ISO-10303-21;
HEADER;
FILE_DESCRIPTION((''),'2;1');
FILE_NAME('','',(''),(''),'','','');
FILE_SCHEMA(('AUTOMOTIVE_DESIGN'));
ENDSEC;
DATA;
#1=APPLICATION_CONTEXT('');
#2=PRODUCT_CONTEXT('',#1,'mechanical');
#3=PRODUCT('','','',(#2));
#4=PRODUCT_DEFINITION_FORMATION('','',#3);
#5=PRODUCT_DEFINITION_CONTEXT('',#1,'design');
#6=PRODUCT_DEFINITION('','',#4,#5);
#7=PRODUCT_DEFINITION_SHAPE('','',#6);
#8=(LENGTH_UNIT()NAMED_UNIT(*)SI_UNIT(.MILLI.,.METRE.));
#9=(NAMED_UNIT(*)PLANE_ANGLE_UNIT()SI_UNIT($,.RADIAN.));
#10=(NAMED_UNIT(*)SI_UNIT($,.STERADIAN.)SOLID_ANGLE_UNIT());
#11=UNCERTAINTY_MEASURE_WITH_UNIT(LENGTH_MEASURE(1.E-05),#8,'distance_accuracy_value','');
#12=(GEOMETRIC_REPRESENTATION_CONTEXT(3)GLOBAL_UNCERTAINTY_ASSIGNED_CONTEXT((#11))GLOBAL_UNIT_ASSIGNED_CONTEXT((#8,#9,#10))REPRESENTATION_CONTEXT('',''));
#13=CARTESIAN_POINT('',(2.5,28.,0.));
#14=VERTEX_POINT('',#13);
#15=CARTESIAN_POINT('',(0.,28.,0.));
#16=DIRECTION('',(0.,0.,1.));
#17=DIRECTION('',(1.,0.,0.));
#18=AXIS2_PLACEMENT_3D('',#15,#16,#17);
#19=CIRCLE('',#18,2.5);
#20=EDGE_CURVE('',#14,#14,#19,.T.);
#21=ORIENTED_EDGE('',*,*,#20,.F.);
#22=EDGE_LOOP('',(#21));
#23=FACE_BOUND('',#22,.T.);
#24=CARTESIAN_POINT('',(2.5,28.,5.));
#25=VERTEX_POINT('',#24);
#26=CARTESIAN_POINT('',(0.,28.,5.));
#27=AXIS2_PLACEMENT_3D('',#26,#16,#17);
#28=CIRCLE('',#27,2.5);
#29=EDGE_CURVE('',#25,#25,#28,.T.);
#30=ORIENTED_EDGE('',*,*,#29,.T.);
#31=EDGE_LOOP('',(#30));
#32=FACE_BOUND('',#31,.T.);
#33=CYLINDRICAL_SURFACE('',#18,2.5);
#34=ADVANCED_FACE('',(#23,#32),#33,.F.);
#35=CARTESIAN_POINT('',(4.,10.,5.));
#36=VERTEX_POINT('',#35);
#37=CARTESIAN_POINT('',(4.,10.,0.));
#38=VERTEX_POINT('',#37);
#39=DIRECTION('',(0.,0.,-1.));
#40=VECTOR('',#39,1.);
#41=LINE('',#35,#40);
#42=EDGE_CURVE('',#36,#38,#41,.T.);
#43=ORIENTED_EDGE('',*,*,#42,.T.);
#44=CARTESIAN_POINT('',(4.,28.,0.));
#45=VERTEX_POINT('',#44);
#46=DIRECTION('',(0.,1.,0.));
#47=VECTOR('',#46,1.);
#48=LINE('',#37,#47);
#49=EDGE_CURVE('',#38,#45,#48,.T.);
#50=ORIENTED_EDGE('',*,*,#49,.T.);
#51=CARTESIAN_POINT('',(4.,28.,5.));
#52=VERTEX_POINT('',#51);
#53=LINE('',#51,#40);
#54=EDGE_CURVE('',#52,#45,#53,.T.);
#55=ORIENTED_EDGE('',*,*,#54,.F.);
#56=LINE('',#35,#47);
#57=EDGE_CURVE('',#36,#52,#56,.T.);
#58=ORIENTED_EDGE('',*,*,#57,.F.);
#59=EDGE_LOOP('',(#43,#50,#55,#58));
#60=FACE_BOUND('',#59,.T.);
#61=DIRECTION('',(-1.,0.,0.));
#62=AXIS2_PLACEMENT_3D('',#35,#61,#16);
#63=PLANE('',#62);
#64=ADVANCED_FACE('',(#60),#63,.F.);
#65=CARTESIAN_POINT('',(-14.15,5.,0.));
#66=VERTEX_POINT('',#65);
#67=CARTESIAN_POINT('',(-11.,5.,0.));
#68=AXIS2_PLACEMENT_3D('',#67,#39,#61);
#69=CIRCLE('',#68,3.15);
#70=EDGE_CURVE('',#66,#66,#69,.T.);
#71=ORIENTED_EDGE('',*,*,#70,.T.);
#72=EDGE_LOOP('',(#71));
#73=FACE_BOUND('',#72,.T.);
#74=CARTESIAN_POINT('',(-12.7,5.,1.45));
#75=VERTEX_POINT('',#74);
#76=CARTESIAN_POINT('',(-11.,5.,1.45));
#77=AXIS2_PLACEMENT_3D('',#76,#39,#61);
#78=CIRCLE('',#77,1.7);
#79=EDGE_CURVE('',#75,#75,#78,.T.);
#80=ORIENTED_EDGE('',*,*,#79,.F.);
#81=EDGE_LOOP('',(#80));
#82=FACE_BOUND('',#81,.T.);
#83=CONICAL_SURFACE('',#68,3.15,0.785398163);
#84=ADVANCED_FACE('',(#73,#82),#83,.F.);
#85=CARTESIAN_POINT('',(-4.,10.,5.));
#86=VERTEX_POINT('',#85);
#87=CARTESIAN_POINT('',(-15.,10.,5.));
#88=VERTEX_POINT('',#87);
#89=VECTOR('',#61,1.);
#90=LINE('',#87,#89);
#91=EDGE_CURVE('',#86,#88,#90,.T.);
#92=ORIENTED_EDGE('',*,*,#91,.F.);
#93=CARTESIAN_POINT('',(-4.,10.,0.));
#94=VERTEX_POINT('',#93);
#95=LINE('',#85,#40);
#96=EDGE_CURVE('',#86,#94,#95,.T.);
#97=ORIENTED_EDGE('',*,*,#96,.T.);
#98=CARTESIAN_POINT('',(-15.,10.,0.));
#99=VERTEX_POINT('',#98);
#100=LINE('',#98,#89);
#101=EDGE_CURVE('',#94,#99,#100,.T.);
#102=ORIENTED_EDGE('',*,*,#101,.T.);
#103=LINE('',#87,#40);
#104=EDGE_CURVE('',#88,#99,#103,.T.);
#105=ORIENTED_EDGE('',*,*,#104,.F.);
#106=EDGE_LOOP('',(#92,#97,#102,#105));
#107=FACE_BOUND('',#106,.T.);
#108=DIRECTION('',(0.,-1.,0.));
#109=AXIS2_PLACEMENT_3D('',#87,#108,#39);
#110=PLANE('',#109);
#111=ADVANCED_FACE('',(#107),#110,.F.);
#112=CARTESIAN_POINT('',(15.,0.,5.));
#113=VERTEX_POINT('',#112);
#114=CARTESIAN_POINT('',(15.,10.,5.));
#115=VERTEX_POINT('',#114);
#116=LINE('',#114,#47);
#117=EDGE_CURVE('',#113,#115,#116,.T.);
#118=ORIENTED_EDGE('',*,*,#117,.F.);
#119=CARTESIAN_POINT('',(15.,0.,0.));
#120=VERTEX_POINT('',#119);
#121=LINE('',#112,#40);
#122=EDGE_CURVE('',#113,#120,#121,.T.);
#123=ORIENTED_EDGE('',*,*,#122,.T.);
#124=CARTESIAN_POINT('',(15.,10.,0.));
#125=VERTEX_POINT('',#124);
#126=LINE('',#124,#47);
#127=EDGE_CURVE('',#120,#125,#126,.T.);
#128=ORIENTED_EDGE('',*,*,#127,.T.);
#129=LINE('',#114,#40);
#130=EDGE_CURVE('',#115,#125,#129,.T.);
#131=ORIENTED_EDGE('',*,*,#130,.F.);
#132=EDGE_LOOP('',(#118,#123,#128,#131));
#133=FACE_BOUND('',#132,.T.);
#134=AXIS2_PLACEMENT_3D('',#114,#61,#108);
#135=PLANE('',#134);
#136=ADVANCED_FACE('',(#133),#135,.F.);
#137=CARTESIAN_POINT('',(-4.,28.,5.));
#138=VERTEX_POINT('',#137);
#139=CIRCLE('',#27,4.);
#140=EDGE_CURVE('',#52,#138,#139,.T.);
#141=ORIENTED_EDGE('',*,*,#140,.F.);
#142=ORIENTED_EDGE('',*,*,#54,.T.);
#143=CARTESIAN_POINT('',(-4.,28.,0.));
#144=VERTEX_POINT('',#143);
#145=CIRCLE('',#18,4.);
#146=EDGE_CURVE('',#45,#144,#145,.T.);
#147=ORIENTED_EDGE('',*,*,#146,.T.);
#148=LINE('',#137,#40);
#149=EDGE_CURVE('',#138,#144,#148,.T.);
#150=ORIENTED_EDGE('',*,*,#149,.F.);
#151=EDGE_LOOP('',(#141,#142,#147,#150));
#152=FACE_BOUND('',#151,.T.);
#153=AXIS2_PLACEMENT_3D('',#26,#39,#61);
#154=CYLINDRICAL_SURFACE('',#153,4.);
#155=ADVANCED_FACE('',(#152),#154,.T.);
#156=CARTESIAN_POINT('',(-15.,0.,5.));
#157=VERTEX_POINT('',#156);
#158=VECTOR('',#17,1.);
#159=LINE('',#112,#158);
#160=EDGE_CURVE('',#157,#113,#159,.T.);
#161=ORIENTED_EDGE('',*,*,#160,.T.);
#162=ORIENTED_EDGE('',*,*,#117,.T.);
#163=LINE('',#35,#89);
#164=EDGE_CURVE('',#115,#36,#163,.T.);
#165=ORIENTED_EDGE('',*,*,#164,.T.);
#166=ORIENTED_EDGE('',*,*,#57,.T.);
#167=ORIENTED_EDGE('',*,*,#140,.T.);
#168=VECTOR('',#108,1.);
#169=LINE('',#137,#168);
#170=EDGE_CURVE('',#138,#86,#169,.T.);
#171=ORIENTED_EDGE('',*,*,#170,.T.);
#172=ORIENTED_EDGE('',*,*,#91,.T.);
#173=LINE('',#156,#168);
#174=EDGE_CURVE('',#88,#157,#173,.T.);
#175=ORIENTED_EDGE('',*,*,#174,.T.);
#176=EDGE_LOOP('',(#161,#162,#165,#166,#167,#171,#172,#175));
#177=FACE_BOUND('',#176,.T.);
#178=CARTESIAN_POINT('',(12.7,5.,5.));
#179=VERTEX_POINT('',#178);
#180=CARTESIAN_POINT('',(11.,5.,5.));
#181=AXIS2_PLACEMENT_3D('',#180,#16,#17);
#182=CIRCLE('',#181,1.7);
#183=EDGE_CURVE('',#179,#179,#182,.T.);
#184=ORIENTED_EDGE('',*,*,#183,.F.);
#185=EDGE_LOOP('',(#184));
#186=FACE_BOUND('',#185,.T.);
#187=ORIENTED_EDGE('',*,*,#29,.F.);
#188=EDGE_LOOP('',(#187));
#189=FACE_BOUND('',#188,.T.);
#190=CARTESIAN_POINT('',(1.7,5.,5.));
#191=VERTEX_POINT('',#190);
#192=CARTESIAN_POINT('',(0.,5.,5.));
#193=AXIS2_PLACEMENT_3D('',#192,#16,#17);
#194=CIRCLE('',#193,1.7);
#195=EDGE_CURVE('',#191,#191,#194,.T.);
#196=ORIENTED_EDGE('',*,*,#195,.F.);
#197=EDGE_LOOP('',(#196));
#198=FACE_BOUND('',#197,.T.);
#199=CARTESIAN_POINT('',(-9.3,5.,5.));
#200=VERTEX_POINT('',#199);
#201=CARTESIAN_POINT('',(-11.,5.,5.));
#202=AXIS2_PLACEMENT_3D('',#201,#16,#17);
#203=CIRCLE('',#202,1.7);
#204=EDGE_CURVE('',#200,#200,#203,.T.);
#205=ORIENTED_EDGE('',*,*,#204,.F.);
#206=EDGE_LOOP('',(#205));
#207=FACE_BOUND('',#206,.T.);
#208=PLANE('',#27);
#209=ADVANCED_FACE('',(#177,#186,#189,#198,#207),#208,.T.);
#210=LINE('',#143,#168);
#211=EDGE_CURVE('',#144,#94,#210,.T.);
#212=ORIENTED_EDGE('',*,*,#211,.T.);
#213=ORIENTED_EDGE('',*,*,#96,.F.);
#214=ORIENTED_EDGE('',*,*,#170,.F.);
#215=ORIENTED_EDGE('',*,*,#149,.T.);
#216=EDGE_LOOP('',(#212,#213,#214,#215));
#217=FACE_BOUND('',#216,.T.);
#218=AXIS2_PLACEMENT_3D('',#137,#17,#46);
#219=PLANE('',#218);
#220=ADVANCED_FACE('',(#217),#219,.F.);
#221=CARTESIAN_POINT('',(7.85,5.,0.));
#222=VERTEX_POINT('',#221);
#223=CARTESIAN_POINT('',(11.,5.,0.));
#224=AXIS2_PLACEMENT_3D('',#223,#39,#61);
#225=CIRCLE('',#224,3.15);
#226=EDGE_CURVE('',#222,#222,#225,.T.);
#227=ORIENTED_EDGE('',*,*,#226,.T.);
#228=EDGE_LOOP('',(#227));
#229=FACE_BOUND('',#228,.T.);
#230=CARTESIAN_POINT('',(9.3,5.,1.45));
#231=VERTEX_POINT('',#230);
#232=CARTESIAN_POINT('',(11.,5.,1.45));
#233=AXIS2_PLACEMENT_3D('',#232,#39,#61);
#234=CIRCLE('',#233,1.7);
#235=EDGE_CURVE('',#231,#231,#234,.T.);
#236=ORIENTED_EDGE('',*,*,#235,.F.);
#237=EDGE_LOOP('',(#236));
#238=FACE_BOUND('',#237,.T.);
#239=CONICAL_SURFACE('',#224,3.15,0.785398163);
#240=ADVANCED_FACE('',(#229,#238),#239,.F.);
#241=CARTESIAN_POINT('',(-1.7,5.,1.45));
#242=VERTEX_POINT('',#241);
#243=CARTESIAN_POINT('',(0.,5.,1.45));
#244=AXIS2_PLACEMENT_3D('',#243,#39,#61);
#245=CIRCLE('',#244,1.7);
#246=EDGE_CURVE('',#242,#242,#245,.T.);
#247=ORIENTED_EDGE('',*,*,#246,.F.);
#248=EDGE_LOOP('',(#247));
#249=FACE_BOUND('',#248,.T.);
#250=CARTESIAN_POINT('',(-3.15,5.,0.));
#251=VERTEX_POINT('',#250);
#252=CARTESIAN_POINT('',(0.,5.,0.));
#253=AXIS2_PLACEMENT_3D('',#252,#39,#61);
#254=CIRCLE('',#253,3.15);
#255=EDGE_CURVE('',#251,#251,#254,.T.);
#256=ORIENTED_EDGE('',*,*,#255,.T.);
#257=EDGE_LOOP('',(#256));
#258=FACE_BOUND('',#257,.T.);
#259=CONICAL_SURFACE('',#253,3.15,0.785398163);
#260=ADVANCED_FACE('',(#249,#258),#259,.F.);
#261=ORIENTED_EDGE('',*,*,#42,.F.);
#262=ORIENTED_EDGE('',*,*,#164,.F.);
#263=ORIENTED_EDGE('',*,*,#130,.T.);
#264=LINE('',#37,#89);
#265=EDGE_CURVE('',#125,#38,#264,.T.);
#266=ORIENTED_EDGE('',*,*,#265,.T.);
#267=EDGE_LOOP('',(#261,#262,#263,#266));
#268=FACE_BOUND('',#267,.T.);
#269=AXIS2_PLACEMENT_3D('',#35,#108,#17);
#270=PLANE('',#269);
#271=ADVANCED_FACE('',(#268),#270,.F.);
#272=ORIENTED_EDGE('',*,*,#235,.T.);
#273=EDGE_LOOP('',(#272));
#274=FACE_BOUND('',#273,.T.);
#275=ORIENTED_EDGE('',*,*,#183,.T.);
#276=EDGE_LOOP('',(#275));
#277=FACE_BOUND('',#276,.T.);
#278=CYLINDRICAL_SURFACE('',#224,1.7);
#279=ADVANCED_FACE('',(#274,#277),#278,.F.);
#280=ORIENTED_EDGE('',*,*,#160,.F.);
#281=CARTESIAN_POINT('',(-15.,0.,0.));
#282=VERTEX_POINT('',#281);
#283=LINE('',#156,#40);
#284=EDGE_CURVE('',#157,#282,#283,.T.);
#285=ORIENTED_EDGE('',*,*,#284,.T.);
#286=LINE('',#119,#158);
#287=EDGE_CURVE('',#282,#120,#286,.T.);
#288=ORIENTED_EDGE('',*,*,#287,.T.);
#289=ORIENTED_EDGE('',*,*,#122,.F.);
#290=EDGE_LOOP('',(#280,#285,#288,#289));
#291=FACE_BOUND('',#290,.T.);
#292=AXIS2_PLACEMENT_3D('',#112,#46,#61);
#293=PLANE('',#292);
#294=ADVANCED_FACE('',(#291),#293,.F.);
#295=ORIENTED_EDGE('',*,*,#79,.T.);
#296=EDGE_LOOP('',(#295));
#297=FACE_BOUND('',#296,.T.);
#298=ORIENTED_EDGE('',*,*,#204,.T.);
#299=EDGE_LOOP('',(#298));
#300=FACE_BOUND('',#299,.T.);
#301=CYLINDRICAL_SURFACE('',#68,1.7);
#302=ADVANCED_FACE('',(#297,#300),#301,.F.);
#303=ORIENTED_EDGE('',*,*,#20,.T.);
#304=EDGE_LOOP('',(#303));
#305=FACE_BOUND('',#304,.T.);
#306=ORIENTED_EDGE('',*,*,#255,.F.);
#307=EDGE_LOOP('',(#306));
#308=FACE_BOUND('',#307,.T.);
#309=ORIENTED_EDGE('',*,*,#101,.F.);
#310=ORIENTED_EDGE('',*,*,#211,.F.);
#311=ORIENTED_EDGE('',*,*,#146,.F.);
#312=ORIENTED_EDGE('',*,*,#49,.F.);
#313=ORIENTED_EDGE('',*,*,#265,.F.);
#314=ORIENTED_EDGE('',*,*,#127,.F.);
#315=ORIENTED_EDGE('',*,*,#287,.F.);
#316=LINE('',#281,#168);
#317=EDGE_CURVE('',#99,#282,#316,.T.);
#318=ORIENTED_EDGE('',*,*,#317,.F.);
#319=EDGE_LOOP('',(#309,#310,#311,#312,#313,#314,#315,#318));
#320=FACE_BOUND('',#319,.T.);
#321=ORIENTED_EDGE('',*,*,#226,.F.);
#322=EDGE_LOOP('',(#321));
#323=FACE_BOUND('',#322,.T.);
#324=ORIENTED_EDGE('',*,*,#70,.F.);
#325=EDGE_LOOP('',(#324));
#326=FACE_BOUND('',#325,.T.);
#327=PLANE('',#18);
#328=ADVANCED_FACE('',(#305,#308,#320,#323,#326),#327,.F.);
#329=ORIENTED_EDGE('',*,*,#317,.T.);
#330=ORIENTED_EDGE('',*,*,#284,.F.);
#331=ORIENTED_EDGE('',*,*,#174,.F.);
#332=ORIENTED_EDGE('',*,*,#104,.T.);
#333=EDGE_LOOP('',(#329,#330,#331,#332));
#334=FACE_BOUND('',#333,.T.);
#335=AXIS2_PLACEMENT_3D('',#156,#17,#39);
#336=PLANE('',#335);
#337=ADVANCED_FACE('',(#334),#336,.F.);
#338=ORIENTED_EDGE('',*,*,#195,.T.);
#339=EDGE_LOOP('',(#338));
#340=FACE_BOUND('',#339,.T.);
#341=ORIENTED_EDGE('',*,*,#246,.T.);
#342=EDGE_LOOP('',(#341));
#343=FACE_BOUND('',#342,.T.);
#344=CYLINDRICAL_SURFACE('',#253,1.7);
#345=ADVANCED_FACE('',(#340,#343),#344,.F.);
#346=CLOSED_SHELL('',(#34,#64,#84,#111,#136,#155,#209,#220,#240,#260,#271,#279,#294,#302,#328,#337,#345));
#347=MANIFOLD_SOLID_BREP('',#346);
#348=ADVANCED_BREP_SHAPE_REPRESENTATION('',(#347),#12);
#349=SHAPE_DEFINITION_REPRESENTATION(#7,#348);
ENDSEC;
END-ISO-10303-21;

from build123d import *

# Parameters (mm, degrees)
BOSS_EXTRUDE1_DEPTH                                 = 5
SKETCH2_R                                           = 2.5
CUT_EXTRUDE1_DEPTH                                  = 6
CSK_FOR_M3_COUNTERSUNK_FLAT_HEAD_SCREW1_D           = 3.4
CSK_FOR_M3_COUNTERSUNK_FLAT_HEAD_SCREW1_DEPTH       = 5
CSK_FOR_M3_COUNTERSUNK_FLAT_HEAD_SCREW1_CSINK_D     = 6.3
CSK_FOR_M3_COUNTERSUNK_FLAT_HEAD_SCREW1_CSINK_ANGLE = 90


with BuildPart() as part:
    # Sketch1 → Boss-Extrude1 (new body)
    with BuildSketch(Plane.XY):
        with BuildLine():
            Line((4, 10), (4, 28))
            ThreePointArc((4, 28), (0, 32), (-4, 28))
            Line((-4, 28), (-4, 10))
            Line((-4, 10), (-15, 10))
            Line((-15, 10), (-15, 0))
            Line((-15, 0), (15, 0))
            Line((15, 0), (15, 10))
            Line((15, 10), (4, 10))
        make_face()
    extrude(amount=BOSS_EXTRUDE1_DEPTH)

    # Sketch2 → Cut-Extrude1 (cut, through all)
    with BuildSketch(Plane.XY.offset(5)):
        with Locations((0, 28)):
            Circle(SKETCH2_R)
    extrude(amount=-CUT_EXTRUDE1_DEPTH, mode=Mode.SUBTRACT)

    # CSK for M3 Countersunk Flat Head Screw1
    with Locations(Plane(origin=(0, 0, 0), x_dir=(-1, 0, 0), z_dir=(0, 0, -1))):
        with Locations((0, 5), (11, 5), (-11, 5)):
            CounterSinkHole(CSK_FOR_M3_COUNTERSUNK_FLAT_HEAD_SCREW1_D / 2, CSK_FOR_M3_COUNTERSUNK_FLAT_HEAD_SCREW1_CSINK_D / 2, depth=CSK_FOR_M3_COUNTERSUNK_FLAT_HEAD_SCREW1_DEPTH, counter_sink_angle=CSK_FOR_M3_COUNTERSUNK_FLAT_HEAD_SCREW1_CSINK_ANGLE)


solid = part.part
